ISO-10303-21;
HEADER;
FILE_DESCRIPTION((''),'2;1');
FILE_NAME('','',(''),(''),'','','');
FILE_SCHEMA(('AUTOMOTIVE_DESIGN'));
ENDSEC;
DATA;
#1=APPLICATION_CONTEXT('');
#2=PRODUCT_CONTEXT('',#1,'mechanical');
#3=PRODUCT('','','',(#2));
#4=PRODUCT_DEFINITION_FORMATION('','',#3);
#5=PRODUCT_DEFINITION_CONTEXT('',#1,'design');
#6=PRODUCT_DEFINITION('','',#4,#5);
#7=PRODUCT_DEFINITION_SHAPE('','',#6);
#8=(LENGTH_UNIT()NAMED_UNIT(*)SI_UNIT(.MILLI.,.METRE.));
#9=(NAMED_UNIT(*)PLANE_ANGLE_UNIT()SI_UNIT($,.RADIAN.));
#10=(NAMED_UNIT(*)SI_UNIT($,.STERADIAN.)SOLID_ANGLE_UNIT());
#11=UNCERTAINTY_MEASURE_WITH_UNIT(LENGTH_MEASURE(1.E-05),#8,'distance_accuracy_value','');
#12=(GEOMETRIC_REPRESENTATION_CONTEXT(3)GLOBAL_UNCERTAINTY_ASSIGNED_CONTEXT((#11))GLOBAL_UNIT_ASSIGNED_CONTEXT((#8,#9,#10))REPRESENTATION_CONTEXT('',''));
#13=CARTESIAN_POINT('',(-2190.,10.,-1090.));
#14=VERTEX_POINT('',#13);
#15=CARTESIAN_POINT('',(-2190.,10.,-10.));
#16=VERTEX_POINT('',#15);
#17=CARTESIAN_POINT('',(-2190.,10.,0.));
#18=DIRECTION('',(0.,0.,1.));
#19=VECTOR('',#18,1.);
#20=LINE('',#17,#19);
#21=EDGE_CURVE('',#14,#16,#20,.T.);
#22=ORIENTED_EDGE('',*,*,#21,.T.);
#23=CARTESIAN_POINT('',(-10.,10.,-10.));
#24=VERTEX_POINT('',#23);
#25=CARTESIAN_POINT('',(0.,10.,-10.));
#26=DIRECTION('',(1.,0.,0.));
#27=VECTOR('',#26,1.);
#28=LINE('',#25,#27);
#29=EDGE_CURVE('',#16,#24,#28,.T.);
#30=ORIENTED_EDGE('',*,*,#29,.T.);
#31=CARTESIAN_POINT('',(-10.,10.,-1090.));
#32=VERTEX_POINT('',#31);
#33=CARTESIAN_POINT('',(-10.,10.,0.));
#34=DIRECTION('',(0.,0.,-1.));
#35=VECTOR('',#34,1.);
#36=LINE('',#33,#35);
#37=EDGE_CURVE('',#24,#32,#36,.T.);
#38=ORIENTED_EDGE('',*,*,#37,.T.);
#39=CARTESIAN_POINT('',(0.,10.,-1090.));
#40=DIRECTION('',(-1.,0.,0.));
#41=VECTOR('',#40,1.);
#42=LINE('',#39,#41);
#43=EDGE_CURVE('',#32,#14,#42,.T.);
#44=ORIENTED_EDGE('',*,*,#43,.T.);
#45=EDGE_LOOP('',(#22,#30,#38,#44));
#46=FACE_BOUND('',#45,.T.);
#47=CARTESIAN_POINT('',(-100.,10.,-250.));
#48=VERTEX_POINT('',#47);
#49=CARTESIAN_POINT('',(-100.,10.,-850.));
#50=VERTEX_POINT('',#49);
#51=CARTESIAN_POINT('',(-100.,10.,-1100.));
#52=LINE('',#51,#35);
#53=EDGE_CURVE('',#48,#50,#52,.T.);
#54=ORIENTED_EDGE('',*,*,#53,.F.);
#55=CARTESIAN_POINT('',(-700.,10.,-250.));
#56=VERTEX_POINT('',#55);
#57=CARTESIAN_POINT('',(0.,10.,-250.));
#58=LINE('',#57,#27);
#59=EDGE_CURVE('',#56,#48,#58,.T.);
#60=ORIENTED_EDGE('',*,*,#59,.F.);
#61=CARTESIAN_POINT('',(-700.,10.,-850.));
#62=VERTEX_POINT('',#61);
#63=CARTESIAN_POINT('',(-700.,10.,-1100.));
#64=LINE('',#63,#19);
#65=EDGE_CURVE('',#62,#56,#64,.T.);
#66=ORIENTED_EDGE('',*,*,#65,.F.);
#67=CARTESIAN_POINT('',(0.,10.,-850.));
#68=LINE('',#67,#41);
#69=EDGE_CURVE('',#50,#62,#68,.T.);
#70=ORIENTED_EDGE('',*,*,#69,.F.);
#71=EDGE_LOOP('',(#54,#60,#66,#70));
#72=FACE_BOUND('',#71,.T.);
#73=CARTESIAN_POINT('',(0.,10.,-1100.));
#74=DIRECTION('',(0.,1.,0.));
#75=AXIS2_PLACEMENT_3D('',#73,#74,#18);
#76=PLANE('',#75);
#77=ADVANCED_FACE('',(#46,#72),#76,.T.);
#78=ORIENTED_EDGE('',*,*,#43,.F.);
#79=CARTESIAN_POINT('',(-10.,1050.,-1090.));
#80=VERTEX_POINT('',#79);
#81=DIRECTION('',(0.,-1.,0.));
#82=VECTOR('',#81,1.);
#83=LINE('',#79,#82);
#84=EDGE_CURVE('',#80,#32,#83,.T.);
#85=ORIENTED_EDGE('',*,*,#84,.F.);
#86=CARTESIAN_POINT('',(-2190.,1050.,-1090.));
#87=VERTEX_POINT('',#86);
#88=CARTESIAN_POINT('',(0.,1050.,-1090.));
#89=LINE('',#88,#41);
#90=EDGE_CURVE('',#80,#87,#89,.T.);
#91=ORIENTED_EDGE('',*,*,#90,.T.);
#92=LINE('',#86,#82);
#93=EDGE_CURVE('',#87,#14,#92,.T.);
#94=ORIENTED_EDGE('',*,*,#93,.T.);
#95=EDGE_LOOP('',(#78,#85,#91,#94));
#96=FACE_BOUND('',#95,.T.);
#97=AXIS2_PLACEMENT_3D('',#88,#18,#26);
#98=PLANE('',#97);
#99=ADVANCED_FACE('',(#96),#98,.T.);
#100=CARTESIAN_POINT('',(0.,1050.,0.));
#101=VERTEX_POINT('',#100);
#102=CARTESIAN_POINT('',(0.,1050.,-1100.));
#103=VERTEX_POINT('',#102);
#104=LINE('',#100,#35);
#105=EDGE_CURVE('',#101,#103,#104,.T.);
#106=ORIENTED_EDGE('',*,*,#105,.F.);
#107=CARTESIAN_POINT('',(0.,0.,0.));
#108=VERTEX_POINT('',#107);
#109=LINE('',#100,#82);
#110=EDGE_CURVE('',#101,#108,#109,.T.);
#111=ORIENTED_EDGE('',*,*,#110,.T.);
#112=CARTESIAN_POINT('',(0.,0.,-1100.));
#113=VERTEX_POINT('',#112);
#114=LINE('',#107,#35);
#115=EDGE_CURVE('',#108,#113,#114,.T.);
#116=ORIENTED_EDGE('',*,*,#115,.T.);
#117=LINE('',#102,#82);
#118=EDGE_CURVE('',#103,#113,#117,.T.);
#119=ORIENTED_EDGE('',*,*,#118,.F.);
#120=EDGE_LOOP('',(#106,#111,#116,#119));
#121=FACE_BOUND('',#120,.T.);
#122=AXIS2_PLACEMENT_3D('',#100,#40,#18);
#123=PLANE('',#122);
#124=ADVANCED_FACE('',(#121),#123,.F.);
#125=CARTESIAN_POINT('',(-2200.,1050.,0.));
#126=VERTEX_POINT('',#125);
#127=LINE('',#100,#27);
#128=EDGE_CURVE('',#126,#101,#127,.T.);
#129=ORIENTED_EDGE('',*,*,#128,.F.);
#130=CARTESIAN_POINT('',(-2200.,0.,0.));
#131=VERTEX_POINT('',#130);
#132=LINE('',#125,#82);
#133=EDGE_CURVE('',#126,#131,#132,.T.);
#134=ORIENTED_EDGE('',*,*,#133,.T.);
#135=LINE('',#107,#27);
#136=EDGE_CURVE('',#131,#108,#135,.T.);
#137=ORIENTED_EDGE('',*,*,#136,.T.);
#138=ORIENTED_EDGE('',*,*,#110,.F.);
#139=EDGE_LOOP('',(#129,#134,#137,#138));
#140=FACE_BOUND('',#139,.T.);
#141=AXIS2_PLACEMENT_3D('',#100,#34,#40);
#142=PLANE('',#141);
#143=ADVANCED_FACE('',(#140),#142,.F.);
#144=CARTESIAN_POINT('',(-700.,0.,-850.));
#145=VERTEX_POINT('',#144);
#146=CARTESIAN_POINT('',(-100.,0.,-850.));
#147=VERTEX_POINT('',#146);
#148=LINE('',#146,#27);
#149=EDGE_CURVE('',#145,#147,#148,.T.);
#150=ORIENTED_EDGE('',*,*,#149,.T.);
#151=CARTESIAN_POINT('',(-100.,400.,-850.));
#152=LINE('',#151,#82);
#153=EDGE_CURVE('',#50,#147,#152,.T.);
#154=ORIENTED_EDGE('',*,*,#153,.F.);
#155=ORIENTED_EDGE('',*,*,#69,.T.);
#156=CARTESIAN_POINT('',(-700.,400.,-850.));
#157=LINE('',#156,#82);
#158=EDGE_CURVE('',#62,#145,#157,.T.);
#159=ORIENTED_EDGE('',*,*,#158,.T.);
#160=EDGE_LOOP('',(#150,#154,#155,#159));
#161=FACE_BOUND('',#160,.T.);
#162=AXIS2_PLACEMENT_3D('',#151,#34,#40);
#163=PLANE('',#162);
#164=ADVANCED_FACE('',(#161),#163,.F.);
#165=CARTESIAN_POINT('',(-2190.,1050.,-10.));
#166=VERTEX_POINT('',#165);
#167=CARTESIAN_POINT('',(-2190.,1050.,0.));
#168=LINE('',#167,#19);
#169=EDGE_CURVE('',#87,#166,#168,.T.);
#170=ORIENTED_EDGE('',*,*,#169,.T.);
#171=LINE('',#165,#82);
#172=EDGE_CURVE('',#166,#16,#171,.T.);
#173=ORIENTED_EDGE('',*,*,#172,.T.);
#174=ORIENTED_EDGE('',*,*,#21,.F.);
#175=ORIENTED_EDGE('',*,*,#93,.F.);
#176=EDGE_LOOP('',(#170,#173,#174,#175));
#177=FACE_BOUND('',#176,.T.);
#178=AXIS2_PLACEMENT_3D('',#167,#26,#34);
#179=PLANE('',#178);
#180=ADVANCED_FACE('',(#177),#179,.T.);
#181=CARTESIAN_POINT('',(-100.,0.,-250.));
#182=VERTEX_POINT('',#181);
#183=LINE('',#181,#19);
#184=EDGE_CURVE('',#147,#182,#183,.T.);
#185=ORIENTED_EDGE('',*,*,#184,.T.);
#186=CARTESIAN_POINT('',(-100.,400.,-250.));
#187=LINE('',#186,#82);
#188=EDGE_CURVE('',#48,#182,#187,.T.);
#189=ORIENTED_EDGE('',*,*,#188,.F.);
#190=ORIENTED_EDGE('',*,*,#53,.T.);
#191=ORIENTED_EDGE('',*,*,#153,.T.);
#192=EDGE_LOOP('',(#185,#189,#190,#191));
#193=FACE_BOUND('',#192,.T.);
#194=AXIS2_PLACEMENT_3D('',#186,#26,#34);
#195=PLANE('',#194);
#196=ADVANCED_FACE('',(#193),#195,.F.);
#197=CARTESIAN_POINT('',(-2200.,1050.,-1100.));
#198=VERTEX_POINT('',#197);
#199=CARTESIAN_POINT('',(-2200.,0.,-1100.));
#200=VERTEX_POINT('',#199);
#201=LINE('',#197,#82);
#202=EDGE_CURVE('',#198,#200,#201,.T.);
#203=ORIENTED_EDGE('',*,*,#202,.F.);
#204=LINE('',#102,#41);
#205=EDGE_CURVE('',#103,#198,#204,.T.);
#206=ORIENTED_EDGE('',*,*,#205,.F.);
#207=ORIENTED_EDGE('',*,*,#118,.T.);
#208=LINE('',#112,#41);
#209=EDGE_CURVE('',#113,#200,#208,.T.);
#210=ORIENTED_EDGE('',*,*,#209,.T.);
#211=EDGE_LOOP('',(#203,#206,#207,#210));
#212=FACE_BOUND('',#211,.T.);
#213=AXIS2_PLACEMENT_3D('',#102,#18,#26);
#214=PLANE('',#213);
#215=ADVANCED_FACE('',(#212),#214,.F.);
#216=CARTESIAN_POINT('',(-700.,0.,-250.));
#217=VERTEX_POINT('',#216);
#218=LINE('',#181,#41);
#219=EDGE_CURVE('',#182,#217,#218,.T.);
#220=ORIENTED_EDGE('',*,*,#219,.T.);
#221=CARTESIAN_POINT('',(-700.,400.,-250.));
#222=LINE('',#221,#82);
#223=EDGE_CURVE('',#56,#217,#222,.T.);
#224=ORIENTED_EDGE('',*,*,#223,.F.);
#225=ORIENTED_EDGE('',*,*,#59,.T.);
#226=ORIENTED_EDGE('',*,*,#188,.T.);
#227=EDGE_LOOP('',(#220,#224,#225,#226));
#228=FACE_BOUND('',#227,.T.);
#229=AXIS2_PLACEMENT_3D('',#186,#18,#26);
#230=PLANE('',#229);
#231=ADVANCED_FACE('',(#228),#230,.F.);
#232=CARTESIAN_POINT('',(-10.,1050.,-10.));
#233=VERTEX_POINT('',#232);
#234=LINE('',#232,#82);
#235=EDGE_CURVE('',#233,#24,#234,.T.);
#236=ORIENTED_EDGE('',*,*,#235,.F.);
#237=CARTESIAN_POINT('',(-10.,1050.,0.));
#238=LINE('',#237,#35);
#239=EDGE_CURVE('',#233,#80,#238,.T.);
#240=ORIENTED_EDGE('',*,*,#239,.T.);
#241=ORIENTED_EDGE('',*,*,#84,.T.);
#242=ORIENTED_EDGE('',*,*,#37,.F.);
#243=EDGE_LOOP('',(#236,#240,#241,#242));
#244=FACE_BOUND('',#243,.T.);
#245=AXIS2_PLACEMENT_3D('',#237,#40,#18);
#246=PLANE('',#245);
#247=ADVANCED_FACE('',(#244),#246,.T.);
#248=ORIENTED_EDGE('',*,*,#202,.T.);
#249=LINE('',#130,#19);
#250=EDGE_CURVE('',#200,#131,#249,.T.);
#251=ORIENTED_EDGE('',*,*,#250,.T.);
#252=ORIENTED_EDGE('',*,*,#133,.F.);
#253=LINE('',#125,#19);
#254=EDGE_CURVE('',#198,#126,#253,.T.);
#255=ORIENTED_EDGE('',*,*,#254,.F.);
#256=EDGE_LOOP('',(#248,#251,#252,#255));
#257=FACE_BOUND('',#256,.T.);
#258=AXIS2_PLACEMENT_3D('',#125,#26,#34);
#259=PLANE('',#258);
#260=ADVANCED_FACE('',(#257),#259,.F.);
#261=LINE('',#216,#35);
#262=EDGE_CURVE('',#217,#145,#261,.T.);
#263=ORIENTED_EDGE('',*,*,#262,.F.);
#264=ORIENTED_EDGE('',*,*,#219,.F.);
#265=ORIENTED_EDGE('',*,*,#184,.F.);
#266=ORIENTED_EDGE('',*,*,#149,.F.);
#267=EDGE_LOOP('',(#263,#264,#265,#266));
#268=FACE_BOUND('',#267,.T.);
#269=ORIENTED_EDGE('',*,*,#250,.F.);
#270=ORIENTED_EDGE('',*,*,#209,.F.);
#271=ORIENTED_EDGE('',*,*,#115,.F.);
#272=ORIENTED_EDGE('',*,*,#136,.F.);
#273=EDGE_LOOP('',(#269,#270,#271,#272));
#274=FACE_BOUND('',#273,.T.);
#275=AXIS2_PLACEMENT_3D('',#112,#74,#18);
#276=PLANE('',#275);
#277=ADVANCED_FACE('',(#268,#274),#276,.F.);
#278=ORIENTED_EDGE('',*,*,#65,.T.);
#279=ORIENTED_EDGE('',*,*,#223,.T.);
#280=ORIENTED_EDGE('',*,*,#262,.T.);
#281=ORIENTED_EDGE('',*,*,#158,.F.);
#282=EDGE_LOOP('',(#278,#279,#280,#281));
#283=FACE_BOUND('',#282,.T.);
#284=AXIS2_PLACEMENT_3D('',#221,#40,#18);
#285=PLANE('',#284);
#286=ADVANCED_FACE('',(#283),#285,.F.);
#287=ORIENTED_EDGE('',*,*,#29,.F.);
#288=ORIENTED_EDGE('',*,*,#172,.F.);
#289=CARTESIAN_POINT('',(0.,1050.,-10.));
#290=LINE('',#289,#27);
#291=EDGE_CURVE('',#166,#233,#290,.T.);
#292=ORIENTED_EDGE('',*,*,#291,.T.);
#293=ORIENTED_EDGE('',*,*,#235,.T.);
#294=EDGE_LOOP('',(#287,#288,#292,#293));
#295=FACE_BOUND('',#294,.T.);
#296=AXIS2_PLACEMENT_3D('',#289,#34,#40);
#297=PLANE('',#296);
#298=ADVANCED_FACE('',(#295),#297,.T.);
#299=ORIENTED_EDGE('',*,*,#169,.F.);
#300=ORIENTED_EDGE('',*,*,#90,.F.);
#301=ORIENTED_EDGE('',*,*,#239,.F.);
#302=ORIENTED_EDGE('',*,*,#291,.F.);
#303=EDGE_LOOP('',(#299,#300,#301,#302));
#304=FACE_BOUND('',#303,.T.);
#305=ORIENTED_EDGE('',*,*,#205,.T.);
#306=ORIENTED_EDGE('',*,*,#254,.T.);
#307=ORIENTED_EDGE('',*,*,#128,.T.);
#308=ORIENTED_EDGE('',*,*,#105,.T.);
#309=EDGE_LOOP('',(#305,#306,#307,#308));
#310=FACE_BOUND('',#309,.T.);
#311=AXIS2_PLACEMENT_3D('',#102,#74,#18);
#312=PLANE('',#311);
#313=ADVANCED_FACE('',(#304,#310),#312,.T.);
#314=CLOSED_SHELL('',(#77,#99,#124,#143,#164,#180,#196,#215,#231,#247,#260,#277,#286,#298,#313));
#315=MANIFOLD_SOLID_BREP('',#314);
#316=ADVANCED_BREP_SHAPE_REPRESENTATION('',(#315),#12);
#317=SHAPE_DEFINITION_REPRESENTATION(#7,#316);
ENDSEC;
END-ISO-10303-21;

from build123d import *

# Parameters (mm, degrees)
SKETCH1_W          = 2200
SKETCH1_H          = 1100
EXTRUDE1_DEPTH     = 1050
SHELL1_T           = -10
SKETCH2_W          = 600
SKETCH2_H          = 600
CUT_EXTRUDE1_DEPTH = 400


with BuildPart() as part:
    # Sketch1 → Extrude1 (new body)
    with BuildSketch(Plane(origin=(0, 0, 0), x_dir=(1, 0, 0), z_dir=(0, 1, 0))):
        with Locations((-1100, 550)):
            Rectangle(SKETCH1_W, SKETCH1_H)
    extrude(amount=EXTRUDE1_DEPTH)

    # Shell1
    shell1_openings = [part.faces().sort_by_distance(p)[0] for p in [
        (-1100, 1050, -550),
    ]]
    offset(amount=SHELL1_T, openings=shell1_openings, kind=Kind.INTERSECTION)

    # Sketch2 → Cut-Extrude1 (cut)
    with BuildSketch(Plane.XZ):
        with Locations((-400, -550)):
            Rectangle(SKETCH2_W, SKETCH2_H)
    extrude(amount=-CUT_EXTRUDE1_DEPTH, mode=Mode.SUBTRACT)


solid = part.part
